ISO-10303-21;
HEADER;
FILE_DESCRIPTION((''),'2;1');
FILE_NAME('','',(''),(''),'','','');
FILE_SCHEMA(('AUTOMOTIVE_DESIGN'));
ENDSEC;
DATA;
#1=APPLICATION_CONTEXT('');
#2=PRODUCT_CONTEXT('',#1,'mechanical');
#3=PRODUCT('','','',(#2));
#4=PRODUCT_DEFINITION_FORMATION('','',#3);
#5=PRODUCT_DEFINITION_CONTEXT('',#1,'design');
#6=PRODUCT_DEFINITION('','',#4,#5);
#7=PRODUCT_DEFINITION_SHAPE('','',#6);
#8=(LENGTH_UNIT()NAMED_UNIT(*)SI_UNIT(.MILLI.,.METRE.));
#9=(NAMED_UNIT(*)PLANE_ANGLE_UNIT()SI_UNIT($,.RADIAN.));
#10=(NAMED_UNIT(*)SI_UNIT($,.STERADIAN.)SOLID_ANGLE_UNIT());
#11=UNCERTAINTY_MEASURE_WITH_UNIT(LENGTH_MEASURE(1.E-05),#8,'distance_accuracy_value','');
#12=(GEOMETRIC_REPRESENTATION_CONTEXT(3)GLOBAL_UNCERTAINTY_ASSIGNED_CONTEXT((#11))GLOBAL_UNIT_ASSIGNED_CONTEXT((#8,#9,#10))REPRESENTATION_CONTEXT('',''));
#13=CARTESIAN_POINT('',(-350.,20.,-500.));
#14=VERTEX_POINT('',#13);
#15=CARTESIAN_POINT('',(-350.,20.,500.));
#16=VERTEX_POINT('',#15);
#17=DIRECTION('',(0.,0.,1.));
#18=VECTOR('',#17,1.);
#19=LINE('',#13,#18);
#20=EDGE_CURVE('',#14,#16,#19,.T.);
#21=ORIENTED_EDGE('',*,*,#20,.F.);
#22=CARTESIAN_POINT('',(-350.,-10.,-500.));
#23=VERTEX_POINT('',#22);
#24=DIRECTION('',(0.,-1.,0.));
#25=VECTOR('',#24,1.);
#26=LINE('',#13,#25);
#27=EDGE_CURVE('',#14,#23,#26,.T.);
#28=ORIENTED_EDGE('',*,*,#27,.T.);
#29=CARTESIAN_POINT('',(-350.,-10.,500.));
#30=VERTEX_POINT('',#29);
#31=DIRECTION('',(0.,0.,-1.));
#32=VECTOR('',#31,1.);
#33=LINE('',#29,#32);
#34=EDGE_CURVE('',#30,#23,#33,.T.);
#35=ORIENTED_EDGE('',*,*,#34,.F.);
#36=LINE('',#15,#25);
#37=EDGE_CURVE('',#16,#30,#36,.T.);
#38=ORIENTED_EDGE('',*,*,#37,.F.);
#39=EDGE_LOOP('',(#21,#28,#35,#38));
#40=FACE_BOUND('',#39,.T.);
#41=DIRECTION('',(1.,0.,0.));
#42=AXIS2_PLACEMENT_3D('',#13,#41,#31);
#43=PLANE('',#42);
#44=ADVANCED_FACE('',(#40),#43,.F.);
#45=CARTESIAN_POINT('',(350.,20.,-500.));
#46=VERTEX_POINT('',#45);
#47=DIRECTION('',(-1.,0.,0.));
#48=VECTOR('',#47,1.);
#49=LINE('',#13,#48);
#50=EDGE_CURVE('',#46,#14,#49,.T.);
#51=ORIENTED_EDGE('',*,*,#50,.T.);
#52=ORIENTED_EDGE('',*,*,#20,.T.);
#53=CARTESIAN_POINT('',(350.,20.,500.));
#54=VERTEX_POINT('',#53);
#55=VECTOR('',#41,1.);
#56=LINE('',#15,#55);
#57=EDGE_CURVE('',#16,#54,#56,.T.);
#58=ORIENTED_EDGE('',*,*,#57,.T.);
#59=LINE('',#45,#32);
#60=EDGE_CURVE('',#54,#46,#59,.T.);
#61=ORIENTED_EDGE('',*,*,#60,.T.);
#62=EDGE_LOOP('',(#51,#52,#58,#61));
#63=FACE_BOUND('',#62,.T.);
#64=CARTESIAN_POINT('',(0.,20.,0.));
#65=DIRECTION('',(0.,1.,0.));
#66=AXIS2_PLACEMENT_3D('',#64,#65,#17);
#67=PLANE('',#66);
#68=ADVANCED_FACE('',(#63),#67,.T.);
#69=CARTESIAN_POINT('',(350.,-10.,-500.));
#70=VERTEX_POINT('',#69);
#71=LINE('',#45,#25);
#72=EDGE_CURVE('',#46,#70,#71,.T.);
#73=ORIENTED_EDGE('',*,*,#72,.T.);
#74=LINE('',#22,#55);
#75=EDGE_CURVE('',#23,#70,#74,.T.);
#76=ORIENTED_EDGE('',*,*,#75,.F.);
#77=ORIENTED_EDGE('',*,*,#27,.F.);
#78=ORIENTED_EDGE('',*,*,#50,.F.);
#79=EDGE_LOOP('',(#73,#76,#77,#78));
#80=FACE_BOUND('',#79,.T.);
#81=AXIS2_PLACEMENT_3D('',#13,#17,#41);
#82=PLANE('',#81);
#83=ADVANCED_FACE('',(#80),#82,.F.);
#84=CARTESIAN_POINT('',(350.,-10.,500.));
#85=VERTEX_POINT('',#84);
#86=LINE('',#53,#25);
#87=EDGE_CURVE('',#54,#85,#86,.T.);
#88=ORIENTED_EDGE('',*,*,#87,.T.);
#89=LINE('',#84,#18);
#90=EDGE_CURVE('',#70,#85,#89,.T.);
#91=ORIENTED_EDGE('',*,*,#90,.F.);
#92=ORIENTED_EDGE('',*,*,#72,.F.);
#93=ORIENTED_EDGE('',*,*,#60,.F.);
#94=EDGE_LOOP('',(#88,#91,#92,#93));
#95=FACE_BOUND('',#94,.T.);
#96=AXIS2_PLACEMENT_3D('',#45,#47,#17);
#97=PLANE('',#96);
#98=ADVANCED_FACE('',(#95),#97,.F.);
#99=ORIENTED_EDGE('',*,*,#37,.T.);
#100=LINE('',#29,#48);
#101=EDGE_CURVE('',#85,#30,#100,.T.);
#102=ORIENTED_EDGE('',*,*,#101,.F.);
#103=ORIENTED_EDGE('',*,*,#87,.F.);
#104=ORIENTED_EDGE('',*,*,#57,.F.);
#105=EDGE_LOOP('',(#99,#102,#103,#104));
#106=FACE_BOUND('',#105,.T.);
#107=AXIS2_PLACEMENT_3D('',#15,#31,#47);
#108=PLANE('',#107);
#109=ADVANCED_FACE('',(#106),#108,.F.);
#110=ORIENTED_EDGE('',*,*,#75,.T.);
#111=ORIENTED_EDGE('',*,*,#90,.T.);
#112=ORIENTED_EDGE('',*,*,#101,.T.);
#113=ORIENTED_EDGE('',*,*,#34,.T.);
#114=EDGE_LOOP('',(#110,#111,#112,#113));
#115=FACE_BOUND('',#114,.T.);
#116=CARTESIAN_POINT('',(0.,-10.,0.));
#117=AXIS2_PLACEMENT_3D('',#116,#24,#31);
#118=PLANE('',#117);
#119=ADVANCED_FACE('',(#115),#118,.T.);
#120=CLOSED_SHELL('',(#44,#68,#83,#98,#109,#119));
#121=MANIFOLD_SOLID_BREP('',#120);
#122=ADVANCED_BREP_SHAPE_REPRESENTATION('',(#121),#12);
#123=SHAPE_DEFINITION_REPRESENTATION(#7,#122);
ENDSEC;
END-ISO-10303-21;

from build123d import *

# Parameters (mm, degrees)
CROQUIS1_W              = 700
CROQUIS1_H              = 1000
SALIENTE_EXTRUIR1_DEPTH = 20
CROQUIS2_W              = 700
CROQUIS2_H              = 1000
SALIENTE_EXTRUIR2_DEPTH = 10


with BuildPart() as part:
    # Croquis1 → Saliente-Extruir1 (new body)
    with BuildSketch(Plane(origin=(0, 0, 0), x_dir=(1, 0, 0), z_dir=(0, 1, 0))):
        Rectangle(CROQUIS1_W, CROQUIS1_H)
    extrude(amount=SALIENTE_EXTRUIR1_DEPTH)

    # Croquis2 → Saliente-Extruir2 (add)
    with BuildSketch(Plane(origin=(0, 0, 0), x_dir=(-1, 0, 0), z_dir=(0, -1, 0))):
        Rectangle(CROQUIS2_W, CROQUIS2_H)
    extrude(amount=SALIENTE_EXTRUIR2_DEPTH)


solid = part.part
